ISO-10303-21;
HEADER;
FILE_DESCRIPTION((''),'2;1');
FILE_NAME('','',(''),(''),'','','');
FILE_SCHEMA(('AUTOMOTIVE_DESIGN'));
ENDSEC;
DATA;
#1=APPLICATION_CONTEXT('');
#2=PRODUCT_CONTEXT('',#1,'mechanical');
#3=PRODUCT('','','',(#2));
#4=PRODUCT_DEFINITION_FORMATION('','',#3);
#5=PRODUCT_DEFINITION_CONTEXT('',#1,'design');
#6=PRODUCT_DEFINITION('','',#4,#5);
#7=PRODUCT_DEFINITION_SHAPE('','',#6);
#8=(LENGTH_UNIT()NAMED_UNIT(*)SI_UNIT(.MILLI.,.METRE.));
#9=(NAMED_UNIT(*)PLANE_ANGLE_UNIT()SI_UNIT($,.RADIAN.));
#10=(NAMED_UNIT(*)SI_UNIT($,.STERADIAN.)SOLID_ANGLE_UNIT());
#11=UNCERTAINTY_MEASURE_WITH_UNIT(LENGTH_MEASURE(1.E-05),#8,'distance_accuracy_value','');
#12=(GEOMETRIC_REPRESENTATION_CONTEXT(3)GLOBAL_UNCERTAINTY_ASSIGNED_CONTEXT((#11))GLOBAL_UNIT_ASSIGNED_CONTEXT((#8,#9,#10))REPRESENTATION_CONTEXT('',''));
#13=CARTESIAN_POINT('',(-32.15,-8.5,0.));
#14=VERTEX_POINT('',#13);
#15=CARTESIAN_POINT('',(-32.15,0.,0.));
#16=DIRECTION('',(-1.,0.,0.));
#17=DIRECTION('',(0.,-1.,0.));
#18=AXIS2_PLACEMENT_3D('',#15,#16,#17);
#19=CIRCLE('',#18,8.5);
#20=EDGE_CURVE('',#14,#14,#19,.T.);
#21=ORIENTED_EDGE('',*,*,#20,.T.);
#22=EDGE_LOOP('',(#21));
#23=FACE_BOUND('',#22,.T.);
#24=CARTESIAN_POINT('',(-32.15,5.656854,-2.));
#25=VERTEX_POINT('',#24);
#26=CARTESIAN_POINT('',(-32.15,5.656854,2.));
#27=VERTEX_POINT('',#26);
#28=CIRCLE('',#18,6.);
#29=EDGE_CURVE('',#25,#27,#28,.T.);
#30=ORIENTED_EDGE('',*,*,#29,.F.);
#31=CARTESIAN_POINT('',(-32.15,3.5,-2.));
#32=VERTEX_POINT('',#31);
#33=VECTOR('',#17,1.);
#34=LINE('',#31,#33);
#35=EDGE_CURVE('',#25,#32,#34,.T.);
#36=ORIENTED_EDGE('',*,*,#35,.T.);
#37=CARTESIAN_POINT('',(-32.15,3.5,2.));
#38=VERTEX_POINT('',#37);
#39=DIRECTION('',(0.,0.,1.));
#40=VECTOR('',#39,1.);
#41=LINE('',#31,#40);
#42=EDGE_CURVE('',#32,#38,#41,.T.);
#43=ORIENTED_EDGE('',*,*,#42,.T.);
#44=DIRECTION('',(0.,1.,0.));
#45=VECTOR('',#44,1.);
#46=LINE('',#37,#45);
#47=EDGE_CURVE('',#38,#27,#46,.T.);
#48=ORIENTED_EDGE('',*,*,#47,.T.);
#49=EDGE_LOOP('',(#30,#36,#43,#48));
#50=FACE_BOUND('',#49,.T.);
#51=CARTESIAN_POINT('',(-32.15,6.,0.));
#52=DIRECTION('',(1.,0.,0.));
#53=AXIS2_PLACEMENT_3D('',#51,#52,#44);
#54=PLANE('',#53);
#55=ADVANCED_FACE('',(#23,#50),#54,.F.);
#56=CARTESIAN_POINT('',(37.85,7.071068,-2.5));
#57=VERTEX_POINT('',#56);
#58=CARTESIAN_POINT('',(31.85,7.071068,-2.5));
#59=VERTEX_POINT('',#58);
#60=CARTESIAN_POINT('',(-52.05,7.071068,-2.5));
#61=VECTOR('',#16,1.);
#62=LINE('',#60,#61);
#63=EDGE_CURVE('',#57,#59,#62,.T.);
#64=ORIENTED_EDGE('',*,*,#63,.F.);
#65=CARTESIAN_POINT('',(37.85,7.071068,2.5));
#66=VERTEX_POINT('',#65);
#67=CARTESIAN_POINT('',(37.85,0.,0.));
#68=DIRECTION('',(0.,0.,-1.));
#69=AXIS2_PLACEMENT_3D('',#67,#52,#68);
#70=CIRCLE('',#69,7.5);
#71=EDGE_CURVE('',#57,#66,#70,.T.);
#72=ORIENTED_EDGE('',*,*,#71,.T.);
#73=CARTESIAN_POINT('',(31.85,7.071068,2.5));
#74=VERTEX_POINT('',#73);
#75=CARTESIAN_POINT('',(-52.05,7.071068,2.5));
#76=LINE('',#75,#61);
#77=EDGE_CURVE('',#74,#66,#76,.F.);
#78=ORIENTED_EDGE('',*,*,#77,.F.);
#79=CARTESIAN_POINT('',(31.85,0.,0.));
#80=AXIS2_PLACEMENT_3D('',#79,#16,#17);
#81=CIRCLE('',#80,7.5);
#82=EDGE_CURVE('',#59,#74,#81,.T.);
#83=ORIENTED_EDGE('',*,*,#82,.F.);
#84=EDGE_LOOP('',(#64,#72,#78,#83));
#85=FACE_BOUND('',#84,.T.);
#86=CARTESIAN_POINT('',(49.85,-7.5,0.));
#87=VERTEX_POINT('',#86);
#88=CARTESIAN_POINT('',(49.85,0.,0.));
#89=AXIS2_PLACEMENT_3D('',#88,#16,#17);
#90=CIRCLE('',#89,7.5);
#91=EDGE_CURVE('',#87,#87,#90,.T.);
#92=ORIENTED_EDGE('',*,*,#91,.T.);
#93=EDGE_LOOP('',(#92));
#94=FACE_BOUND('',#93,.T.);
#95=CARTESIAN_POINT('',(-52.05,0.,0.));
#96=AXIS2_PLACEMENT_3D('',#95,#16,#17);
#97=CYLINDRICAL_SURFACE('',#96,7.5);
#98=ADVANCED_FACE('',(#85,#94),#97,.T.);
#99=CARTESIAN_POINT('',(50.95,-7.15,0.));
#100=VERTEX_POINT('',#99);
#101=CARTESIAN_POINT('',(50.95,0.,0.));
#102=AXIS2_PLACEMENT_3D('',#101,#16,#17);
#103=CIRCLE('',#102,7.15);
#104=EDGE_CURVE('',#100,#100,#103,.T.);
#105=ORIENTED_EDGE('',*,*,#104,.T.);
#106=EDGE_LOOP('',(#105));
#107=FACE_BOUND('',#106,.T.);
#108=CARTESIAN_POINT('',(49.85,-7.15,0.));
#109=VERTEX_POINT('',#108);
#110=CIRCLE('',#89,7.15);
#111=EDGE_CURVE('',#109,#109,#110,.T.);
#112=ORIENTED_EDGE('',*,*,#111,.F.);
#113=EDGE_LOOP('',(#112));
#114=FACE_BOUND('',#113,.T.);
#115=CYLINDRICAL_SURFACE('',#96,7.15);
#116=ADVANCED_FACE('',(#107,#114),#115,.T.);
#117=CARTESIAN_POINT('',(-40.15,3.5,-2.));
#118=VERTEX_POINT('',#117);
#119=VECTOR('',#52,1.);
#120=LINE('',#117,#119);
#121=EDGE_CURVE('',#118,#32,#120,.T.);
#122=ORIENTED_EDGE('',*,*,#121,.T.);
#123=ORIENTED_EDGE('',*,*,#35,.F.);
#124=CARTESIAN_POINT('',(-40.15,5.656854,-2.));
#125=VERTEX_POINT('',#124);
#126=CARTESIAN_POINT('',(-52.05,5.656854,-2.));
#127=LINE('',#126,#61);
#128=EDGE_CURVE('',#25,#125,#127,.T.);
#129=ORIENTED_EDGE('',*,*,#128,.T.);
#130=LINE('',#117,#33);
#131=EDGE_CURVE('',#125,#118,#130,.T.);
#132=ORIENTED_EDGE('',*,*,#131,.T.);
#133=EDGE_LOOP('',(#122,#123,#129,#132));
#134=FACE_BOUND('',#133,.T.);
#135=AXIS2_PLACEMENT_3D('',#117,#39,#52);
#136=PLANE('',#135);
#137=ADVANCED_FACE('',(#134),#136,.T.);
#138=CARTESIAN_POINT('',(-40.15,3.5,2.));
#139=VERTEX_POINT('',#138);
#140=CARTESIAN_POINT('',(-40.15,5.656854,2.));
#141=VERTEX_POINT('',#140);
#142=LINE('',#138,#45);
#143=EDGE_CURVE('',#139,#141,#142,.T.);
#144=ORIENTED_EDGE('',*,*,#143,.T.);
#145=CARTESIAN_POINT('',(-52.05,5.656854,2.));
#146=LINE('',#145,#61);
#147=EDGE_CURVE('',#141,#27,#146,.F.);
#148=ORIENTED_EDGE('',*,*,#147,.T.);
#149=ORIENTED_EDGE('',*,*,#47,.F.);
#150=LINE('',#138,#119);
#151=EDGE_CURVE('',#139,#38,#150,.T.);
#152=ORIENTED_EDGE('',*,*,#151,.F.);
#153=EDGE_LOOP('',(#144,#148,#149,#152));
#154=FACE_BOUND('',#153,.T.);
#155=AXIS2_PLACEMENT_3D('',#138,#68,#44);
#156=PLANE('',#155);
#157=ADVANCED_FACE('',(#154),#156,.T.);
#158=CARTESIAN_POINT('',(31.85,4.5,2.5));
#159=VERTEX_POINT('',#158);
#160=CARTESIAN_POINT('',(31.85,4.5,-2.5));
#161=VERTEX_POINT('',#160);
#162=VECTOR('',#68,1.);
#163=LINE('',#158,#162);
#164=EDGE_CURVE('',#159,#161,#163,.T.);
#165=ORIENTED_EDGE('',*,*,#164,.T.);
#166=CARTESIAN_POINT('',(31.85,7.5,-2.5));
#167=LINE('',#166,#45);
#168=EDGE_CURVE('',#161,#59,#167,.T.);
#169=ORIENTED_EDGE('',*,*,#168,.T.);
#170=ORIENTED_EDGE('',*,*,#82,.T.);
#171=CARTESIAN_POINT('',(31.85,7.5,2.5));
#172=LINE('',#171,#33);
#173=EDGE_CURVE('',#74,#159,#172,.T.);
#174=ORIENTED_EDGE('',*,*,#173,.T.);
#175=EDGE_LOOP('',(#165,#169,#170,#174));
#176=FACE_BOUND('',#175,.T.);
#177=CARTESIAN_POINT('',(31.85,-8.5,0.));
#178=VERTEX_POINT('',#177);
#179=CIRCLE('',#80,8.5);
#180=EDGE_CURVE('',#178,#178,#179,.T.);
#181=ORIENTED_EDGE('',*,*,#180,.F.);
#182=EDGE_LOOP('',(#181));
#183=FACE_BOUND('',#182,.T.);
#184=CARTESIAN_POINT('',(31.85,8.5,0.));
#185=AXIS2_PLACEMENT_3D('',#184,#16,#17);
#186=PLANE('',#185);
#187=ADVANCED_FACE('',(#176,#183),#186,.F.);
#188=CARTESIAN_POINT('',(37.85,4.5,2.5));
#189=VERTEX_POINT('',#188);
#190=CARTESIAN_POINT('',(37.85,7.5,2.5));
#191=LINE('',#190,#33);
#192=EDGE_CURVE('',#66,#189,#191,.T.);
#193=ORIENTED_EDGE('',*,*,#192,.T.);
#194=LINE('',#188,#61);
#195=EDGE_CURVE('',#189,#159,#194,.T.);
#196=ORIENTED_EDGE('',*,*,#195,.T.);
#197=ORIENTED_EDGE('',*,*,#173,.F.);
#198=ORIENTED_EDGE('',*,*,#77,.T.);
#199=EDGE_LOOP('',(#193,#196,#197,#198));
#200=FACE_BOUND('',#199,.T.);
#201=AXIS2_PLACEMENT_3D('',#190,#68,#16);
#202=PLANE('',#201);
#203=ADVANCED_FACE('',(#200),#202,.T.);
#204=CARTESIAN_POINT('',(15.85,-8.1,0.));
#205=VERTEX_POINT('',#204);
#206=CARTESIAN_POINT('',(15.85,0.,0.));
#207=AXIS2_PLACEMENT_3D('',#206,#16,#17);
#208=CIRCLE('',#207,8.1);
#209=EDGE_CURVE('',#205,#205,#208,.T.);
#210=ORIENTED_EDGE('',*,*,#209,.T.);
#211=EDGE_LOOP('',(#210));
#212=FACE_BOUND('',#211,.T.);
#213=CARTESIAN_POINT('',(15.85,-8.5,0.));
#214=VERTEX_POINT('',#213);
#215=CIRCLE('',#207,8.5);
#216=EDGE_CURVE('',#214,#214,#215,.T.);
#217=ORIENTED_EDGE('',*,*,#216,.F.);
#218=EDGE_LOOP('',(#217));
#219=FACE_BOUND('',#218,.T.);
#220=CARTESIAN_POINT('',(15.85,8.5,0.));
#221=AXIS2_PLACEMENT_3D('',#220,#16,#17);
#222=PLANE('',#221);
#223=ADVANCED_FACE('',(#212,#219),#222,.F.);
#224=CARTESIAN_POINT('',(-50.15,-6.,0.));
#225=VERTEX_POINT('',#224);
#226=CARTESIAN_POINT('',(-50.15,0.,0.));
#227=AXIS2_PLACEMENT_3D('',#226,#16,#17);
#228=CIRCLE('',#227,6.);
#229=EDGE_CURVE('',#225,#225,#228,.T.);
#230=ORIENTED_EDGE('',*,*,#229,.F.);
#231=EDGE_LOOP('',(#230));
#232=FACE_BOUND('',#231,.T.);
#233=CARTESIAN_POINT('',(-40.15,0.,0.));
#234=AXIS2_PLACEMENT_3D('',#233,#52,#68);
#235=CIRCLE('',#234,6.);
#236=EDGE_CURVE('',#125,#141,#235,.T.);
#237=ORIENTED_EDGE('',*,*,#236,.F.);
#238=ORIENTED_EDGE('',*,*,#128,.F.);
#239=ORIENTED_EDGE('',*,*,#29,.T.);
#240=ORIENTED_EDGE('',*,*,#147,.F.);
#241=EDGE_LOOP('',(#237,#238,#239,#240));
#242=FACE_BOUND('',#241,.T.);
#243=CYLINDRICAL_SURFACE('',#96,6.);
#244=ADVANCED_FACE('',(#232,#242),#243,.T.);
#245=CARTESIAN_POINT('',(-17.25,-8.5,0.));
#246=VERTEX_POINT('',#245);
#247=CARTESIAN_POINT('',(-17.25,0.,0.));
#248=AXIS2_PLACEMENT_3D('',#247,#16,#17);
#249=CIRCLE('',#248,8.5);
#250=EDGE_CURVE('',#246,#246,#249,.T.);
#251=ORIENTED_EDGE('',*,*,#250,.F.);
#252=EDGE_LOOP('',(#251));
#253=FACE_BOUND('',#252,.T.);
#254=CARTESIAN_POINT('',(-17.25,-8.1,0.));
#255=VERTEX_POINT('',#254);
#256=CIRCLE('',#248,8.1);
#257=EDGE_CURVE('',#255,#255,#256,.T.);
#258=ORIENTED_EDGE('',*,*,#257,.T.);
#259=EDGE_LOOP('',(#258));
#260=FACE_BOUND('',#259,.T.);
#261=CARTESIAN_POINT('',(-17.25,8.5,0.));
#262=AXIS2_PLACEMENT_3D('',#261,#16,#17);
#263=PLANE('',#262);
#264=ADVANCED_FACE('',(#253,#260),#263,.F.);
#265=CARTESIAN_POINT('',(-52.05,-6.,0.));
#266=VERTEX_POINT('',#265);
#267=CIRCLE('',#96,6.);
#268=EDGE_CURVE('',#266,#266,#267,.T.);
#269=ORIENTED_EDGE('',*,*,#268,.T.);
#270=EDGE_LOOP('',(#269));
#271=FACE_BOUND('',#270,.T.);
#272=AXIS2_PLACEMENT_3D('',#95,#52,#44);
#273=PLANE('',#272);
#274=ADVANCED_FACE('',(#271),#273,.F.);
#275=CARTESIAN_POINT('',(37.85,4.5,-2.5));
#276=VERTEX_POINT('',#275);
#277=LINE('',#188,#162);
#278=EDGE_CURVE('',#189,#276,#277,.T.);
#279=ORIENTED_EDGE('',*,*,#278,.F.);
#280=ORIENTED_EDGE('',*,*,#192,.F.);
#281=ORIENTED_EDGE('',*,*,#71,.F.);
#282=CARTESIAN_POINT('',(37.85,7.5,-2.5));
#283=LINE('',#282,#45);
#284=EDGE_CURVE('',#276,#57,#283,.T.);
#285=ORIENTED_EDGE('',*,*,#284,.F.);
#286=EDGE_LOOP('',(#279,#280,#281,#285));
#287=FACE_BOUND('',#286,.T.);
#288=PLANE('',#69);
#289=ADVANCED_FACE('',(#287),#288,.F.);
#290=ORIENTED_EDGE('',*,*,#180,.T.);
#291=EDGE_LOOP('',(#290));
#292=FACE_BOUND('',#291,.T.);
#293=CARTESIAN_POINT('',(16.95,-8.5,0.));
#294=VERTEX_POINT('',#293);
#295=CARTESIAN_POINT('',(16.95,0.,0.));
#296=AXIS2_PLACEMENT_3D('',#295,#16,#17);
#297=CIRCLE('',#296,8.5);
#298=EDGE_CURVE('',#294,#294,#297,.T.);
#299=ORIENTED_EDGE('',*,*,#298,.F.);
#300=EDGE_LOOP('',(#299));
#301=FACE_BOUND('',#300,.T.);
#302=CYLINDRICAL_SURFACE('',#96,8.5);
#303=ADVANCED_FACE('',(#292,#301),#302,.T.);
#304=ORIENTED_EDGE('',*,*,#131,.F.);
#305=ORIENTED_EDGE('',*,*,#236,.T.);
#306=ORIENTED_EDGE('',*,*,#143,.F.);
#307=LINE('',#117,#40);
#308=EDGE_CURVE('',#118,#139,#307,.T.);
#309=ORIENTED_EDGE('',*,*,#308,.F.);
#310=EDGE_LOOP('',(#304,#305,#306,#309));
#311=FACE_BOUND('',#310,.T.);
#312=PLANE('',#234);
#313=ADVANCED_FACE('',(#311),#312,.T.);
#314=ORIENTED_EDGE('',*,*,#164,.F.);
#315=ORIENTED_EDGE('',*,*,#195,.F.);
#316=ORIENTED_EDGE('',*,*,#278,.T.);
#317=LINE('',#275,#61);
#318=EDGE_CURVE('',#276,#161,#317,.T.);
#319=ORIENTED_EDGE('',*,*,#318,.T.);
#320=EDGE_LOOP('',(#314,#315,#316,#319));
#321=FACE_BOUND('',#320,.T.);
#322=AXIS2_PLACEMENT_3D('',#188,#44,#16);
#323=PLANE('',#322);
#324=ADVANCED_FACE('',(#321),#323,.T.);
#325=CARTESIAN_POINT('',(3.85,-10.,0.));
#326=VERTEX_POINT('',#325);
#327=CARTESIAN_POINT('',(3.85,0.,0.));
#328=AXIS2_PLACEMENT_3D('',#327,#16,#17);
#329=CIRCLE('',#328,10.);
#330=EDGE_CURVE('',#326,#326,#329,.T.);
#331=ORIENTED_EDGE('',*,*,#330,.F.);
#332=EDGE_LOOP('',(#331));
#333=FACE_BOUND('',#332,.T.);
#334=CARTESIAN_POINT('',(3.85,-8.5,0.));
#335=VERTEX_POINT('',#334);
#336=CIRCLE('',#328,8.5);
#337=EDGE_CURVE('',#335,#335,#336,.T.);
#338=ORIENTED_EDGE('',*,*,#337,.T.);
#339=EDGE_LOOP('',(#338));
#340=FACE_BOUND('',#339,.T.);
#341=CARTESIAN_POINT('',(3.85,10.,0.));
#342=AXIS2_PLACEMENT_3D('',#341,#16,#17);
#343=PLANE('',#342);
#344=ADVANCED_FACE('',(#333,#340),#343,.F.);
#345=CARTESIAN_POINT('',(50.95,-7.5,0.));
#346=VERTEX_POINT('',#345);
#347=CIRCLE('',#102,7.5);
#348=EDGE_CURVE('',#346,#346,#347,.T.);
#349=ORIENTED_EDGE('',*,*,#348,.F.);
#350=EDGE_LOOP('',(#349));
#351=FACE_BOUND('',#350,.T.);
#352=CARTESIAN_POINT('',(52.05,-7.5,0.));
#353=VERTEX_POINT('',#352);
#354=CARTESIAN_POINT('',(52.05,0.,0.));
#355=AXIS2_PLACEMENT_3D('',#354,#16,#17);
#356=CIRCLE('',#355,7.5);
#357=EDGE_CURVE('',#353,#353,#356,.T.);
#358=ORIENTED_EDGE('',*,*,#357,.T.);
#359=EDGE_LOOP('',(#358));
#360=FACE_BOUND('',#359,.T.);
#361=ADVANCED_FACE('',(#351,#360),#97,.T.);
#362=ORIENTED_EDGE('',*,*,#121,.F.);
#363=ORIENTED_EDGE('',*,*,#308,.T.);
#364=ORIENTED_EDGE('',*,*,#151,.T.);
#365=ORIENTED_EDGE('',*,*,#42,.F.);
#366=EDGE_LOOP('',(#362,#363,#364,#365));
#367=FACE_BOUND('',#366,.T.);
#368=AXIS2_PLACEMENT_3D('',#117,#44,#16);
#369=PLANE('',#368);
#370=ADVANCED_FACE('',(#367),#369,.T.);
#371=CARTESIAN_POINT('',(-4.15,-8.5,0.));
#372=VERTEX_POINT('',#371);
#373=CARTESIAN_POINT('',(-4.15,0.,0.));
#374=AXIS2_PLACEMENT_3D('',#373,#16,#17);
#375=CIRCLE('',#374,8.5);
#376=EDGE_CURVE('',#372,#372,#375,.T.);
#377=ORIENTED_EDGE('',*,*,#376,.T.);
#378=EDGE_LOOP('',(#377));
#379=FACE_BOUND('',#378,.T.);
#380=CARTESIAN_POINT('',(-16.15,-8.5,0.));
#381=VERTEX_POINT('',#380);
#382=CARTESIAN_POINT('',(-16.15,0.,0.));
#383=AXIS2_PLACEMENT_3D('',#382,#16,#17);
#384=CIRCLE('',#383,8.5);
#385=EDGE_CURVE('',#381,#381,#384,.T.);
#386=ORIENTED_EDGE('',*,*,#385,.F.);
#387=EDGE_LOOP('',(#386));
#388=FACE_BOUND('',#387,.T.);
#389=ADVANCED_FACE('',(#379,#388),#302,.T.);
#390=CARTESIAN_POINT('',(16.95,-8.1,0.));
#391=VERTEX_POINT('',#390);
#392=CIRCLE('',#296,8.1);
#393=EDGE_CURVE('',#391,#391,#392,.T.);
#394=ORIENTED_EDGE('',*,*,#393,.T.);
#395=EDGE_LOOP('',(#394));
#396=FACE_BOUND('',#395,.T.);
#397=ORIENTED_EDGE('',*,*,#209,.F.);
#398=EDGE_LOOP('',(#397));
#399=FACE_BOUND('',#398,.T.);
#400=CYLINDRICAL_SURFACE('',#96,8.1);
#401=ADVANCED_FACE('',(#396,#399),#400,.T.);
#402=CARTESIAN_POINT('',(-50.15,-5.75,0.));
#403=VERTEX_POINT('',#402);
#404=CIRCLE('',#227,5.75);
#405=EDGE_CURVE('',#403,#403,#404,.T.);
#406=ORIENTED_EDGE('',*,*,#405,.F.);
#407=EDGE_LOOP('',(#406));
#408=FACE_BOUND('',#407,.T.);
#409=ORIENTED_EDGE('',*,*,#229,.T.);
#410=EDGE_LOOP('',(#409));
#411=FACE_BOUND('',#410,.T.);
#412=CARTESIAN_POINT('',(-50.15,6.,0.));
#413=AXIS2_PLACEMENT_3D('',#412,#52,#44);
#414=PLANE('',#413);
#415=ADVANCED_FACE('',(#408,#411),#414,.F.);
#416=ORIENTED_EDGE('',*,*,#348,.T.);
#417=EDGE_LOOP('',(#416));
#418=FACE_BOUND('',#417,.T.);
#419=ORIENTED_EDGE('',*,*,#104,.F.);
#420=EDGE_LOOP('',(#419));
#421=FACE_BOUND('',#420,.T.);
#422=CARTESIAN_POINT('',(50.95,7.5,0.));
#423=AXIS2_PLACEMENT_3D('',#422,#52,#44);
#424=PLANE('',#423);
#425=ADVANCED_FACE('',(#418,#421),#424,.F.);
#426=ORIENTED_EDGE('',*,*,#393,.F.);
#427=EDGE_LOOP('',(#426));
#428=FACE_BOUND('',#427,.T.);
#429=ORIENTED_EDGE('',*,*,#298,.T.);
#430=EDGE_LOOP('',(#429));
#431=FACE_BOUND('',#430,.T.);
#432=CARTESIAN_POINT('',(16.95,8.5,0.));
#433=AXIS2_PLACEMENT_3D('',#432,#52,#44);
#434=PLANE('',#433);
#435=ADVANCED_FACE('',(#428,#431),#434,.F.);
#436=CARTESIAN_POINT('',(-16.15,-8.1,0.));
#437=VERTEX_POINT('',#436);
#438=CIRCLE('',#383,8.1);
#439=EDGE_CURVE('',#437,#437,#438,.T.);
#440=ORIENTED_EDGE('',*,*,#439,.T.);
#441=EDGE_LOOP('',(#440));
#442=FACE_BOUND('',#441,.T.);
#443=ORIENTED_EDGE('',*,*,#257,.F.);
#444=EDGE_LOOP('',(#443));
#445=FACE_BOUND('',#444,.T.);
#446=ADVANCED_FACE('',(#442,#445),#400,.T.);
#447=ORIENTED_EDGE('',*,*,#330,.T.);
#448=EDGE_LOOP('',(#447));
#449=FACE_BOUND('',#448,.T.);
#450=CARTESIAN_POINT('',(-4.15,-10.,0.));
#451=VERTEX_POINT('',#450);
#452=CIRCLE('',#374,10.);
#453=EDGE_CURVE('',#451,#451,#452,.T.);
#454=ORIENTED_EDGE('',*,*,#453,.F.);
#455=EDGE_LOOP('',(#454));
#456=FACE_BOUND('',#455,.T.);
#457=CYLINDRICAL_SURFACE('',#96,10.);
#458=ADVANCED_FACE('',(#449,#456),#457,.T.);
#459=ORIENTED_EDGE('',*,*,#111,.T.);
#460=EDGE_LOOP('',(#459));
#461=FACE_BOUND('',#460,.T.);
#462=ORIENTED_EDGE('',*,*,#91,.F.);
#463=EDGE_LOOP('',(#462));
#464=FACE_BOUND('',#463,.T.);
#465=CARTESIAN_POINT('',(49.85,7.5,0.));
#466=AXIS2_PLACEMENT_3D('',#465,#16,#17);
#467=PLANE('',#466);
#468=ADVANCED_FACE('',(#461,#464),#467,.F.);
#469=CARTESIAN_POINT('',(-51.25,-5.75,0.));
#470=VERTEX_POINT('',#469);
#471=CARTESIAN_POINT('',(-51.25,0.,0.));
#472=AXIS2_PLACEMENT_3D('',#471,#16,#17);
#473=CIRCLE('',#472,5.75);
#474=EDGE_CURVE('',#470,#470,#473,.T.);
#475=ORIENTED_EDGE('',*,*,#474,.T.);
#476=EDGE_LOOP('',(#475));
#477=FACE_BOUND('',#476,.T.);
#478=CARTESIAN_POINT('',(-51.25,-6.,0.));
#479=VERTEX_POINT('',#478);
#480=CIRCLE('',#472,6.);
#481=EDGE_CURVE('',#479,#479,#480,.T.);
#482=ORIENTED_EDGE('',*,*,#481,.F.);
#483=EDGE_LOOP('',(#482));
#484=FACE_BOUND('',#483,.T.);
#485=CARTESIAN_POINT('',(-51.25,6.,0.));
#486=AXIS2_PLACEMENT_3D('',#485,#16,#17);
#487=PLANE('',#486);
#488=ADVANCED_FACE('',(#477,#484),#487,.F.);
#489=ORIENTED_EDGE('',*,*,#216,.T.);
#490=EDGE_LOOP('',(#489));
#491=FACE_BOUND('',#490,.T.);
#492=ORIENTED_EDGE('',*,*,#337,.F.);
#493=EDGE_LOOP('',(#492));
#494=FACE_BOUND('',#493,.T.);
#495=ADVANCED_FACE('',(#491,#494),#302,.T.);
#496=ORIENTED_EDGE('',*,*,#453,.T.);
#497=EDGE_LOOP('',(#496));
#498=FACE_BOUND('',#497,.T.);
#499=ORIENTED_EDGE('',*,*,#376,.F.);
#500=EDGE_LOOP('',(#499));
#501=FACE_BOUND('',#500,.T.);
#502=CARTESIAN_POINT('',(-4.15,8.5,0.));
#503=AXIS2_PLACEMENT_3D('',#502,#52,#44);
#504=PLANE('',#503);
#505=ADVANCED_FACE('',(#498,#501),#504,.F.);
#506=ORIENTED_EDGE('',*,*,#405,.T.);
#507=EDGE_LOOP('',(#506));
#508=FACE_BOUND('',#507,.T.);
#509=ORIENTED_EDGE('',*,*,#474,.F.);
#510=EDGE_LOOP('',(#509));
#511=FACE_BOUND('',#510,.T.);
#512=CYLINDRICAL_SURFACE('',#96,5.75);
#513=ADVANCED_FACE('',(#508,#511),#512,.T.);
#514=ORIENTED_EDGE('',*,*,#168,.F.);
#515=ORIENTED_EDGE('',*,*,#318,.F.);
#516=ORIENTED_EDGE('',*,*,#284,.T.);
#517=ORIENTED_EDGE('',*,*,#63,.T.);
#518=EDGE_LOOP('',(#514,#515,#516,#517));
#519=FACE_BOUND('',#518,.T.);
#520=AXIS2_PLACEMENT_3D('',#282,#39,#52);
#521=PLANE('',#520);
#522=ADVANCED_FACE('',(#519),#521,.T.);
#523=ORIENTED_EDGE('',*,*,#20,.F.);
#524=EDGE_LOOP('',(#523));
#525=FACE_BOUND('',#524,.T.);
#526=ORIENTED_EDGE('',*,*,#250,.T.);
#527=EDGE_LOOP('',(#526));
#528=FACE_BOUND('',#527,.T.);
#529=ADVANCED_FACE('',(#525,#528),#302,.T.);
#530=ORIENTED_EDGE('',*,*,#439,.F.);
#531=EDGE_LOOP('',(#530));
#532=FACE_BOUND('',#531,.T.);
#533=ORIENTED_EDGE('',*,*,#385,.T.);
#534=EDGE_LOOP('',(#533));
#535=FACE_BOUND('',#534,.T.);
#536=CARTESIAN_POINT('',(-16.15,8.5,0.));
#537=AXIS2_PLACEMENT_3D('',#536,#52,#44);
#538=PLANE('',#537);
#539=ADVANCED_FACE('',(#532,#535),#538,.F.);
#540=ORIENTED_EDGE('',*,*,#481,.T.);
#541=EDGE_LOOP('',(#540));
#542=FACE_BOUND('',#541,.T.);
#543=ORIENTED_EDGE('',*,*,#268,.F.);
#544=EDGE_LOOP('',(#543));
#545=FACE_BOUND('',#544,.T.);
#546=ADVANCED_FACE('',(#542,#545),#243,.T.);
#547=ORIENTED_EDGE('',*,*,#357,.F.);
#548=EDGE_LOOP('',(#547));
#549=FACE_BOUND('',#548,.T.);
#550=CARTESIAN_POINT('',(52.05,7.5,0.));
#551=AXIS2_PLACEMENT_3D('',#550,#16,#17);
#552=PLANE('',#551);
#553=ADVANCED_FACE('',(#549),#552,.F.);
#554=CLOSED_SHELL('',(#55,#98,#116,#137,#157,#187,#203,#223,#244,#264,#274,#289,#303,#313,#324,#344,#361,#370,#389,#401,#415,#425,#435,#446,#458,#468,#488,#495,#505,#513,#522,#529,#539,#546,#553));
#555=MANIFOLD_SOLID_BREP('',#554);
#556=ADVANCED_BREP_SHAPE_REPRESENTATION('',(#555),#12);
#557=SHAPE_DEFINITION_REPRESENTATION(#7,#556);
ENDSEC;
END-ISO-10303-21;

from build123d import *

# Parameters (mm, degrees)
SKETCH2_W          = 4
SKETCH2_H          = 2.5
CUT_EXTRUDE1_DEPTH = 8
SKETCH3_W          = 5
SKETCH3_H          = 3
CUT_EXTRUDE2_DEPTH = 6


with BuildPart() as part:
    # Sketch1 → Revolve1 (revolve)
    with BuildSketch(Plane.XY):
        Polygon((-52.05, 0), (52.05, 0), (52.05, 7.5), (50.95, 7.5), (50.95, 7.15), (49.85, 7.15), (49.85, 7.5), (31.85, 7.5), (31.85, 8.5), (16.95, 8.5), (16.95, 8.1), (15.85, 8.1), (15.85, 8.5), (3.85, 8.5), (3.85, 10), (-4.15, 10), (-4.15, 8.5), (-16.15, 8.5), (-16.15, 8.1), (-17.25, 8.1), (-17.25, 8.5), (-32.15, 8.5), (-32.15, 6), (-50.15, 6), (-50.15, 5.75), (-51.25, 5.75), (-51.25, 6), (-52.05, 6), align=None)
    revolve(axis=Axis((-52.05, 0, 0), (1, 0, 0)))

    # Sketch2 → Cut-Extrude1 (cut)
    with BuildSketch(Plane.ZY.offset(32.15)):
        with Locations((0, 4.75)):
            Rectangle(SKETCH2_W, SKETCH2_H)
    extrude(amount=CUT_EXTRUDE1_DEPTH, mode=Mode.SUBTRACT)

    # Sketch3 → Cut-Extrude2 (cut)
    with BuildSketch(Plane(origin=(31.85, 0, 0), x_dir=(0, 0, -1), z_dir=(1, 0, 0))):
        with Locations((0, 6)):
            Rectangle(SKETCH3_W, SKETCH3_H)
    extrude(amount=CUT_EXTRUDE2_DEPTH, mode=Mode.SUBTRACT)


solid = part.part
